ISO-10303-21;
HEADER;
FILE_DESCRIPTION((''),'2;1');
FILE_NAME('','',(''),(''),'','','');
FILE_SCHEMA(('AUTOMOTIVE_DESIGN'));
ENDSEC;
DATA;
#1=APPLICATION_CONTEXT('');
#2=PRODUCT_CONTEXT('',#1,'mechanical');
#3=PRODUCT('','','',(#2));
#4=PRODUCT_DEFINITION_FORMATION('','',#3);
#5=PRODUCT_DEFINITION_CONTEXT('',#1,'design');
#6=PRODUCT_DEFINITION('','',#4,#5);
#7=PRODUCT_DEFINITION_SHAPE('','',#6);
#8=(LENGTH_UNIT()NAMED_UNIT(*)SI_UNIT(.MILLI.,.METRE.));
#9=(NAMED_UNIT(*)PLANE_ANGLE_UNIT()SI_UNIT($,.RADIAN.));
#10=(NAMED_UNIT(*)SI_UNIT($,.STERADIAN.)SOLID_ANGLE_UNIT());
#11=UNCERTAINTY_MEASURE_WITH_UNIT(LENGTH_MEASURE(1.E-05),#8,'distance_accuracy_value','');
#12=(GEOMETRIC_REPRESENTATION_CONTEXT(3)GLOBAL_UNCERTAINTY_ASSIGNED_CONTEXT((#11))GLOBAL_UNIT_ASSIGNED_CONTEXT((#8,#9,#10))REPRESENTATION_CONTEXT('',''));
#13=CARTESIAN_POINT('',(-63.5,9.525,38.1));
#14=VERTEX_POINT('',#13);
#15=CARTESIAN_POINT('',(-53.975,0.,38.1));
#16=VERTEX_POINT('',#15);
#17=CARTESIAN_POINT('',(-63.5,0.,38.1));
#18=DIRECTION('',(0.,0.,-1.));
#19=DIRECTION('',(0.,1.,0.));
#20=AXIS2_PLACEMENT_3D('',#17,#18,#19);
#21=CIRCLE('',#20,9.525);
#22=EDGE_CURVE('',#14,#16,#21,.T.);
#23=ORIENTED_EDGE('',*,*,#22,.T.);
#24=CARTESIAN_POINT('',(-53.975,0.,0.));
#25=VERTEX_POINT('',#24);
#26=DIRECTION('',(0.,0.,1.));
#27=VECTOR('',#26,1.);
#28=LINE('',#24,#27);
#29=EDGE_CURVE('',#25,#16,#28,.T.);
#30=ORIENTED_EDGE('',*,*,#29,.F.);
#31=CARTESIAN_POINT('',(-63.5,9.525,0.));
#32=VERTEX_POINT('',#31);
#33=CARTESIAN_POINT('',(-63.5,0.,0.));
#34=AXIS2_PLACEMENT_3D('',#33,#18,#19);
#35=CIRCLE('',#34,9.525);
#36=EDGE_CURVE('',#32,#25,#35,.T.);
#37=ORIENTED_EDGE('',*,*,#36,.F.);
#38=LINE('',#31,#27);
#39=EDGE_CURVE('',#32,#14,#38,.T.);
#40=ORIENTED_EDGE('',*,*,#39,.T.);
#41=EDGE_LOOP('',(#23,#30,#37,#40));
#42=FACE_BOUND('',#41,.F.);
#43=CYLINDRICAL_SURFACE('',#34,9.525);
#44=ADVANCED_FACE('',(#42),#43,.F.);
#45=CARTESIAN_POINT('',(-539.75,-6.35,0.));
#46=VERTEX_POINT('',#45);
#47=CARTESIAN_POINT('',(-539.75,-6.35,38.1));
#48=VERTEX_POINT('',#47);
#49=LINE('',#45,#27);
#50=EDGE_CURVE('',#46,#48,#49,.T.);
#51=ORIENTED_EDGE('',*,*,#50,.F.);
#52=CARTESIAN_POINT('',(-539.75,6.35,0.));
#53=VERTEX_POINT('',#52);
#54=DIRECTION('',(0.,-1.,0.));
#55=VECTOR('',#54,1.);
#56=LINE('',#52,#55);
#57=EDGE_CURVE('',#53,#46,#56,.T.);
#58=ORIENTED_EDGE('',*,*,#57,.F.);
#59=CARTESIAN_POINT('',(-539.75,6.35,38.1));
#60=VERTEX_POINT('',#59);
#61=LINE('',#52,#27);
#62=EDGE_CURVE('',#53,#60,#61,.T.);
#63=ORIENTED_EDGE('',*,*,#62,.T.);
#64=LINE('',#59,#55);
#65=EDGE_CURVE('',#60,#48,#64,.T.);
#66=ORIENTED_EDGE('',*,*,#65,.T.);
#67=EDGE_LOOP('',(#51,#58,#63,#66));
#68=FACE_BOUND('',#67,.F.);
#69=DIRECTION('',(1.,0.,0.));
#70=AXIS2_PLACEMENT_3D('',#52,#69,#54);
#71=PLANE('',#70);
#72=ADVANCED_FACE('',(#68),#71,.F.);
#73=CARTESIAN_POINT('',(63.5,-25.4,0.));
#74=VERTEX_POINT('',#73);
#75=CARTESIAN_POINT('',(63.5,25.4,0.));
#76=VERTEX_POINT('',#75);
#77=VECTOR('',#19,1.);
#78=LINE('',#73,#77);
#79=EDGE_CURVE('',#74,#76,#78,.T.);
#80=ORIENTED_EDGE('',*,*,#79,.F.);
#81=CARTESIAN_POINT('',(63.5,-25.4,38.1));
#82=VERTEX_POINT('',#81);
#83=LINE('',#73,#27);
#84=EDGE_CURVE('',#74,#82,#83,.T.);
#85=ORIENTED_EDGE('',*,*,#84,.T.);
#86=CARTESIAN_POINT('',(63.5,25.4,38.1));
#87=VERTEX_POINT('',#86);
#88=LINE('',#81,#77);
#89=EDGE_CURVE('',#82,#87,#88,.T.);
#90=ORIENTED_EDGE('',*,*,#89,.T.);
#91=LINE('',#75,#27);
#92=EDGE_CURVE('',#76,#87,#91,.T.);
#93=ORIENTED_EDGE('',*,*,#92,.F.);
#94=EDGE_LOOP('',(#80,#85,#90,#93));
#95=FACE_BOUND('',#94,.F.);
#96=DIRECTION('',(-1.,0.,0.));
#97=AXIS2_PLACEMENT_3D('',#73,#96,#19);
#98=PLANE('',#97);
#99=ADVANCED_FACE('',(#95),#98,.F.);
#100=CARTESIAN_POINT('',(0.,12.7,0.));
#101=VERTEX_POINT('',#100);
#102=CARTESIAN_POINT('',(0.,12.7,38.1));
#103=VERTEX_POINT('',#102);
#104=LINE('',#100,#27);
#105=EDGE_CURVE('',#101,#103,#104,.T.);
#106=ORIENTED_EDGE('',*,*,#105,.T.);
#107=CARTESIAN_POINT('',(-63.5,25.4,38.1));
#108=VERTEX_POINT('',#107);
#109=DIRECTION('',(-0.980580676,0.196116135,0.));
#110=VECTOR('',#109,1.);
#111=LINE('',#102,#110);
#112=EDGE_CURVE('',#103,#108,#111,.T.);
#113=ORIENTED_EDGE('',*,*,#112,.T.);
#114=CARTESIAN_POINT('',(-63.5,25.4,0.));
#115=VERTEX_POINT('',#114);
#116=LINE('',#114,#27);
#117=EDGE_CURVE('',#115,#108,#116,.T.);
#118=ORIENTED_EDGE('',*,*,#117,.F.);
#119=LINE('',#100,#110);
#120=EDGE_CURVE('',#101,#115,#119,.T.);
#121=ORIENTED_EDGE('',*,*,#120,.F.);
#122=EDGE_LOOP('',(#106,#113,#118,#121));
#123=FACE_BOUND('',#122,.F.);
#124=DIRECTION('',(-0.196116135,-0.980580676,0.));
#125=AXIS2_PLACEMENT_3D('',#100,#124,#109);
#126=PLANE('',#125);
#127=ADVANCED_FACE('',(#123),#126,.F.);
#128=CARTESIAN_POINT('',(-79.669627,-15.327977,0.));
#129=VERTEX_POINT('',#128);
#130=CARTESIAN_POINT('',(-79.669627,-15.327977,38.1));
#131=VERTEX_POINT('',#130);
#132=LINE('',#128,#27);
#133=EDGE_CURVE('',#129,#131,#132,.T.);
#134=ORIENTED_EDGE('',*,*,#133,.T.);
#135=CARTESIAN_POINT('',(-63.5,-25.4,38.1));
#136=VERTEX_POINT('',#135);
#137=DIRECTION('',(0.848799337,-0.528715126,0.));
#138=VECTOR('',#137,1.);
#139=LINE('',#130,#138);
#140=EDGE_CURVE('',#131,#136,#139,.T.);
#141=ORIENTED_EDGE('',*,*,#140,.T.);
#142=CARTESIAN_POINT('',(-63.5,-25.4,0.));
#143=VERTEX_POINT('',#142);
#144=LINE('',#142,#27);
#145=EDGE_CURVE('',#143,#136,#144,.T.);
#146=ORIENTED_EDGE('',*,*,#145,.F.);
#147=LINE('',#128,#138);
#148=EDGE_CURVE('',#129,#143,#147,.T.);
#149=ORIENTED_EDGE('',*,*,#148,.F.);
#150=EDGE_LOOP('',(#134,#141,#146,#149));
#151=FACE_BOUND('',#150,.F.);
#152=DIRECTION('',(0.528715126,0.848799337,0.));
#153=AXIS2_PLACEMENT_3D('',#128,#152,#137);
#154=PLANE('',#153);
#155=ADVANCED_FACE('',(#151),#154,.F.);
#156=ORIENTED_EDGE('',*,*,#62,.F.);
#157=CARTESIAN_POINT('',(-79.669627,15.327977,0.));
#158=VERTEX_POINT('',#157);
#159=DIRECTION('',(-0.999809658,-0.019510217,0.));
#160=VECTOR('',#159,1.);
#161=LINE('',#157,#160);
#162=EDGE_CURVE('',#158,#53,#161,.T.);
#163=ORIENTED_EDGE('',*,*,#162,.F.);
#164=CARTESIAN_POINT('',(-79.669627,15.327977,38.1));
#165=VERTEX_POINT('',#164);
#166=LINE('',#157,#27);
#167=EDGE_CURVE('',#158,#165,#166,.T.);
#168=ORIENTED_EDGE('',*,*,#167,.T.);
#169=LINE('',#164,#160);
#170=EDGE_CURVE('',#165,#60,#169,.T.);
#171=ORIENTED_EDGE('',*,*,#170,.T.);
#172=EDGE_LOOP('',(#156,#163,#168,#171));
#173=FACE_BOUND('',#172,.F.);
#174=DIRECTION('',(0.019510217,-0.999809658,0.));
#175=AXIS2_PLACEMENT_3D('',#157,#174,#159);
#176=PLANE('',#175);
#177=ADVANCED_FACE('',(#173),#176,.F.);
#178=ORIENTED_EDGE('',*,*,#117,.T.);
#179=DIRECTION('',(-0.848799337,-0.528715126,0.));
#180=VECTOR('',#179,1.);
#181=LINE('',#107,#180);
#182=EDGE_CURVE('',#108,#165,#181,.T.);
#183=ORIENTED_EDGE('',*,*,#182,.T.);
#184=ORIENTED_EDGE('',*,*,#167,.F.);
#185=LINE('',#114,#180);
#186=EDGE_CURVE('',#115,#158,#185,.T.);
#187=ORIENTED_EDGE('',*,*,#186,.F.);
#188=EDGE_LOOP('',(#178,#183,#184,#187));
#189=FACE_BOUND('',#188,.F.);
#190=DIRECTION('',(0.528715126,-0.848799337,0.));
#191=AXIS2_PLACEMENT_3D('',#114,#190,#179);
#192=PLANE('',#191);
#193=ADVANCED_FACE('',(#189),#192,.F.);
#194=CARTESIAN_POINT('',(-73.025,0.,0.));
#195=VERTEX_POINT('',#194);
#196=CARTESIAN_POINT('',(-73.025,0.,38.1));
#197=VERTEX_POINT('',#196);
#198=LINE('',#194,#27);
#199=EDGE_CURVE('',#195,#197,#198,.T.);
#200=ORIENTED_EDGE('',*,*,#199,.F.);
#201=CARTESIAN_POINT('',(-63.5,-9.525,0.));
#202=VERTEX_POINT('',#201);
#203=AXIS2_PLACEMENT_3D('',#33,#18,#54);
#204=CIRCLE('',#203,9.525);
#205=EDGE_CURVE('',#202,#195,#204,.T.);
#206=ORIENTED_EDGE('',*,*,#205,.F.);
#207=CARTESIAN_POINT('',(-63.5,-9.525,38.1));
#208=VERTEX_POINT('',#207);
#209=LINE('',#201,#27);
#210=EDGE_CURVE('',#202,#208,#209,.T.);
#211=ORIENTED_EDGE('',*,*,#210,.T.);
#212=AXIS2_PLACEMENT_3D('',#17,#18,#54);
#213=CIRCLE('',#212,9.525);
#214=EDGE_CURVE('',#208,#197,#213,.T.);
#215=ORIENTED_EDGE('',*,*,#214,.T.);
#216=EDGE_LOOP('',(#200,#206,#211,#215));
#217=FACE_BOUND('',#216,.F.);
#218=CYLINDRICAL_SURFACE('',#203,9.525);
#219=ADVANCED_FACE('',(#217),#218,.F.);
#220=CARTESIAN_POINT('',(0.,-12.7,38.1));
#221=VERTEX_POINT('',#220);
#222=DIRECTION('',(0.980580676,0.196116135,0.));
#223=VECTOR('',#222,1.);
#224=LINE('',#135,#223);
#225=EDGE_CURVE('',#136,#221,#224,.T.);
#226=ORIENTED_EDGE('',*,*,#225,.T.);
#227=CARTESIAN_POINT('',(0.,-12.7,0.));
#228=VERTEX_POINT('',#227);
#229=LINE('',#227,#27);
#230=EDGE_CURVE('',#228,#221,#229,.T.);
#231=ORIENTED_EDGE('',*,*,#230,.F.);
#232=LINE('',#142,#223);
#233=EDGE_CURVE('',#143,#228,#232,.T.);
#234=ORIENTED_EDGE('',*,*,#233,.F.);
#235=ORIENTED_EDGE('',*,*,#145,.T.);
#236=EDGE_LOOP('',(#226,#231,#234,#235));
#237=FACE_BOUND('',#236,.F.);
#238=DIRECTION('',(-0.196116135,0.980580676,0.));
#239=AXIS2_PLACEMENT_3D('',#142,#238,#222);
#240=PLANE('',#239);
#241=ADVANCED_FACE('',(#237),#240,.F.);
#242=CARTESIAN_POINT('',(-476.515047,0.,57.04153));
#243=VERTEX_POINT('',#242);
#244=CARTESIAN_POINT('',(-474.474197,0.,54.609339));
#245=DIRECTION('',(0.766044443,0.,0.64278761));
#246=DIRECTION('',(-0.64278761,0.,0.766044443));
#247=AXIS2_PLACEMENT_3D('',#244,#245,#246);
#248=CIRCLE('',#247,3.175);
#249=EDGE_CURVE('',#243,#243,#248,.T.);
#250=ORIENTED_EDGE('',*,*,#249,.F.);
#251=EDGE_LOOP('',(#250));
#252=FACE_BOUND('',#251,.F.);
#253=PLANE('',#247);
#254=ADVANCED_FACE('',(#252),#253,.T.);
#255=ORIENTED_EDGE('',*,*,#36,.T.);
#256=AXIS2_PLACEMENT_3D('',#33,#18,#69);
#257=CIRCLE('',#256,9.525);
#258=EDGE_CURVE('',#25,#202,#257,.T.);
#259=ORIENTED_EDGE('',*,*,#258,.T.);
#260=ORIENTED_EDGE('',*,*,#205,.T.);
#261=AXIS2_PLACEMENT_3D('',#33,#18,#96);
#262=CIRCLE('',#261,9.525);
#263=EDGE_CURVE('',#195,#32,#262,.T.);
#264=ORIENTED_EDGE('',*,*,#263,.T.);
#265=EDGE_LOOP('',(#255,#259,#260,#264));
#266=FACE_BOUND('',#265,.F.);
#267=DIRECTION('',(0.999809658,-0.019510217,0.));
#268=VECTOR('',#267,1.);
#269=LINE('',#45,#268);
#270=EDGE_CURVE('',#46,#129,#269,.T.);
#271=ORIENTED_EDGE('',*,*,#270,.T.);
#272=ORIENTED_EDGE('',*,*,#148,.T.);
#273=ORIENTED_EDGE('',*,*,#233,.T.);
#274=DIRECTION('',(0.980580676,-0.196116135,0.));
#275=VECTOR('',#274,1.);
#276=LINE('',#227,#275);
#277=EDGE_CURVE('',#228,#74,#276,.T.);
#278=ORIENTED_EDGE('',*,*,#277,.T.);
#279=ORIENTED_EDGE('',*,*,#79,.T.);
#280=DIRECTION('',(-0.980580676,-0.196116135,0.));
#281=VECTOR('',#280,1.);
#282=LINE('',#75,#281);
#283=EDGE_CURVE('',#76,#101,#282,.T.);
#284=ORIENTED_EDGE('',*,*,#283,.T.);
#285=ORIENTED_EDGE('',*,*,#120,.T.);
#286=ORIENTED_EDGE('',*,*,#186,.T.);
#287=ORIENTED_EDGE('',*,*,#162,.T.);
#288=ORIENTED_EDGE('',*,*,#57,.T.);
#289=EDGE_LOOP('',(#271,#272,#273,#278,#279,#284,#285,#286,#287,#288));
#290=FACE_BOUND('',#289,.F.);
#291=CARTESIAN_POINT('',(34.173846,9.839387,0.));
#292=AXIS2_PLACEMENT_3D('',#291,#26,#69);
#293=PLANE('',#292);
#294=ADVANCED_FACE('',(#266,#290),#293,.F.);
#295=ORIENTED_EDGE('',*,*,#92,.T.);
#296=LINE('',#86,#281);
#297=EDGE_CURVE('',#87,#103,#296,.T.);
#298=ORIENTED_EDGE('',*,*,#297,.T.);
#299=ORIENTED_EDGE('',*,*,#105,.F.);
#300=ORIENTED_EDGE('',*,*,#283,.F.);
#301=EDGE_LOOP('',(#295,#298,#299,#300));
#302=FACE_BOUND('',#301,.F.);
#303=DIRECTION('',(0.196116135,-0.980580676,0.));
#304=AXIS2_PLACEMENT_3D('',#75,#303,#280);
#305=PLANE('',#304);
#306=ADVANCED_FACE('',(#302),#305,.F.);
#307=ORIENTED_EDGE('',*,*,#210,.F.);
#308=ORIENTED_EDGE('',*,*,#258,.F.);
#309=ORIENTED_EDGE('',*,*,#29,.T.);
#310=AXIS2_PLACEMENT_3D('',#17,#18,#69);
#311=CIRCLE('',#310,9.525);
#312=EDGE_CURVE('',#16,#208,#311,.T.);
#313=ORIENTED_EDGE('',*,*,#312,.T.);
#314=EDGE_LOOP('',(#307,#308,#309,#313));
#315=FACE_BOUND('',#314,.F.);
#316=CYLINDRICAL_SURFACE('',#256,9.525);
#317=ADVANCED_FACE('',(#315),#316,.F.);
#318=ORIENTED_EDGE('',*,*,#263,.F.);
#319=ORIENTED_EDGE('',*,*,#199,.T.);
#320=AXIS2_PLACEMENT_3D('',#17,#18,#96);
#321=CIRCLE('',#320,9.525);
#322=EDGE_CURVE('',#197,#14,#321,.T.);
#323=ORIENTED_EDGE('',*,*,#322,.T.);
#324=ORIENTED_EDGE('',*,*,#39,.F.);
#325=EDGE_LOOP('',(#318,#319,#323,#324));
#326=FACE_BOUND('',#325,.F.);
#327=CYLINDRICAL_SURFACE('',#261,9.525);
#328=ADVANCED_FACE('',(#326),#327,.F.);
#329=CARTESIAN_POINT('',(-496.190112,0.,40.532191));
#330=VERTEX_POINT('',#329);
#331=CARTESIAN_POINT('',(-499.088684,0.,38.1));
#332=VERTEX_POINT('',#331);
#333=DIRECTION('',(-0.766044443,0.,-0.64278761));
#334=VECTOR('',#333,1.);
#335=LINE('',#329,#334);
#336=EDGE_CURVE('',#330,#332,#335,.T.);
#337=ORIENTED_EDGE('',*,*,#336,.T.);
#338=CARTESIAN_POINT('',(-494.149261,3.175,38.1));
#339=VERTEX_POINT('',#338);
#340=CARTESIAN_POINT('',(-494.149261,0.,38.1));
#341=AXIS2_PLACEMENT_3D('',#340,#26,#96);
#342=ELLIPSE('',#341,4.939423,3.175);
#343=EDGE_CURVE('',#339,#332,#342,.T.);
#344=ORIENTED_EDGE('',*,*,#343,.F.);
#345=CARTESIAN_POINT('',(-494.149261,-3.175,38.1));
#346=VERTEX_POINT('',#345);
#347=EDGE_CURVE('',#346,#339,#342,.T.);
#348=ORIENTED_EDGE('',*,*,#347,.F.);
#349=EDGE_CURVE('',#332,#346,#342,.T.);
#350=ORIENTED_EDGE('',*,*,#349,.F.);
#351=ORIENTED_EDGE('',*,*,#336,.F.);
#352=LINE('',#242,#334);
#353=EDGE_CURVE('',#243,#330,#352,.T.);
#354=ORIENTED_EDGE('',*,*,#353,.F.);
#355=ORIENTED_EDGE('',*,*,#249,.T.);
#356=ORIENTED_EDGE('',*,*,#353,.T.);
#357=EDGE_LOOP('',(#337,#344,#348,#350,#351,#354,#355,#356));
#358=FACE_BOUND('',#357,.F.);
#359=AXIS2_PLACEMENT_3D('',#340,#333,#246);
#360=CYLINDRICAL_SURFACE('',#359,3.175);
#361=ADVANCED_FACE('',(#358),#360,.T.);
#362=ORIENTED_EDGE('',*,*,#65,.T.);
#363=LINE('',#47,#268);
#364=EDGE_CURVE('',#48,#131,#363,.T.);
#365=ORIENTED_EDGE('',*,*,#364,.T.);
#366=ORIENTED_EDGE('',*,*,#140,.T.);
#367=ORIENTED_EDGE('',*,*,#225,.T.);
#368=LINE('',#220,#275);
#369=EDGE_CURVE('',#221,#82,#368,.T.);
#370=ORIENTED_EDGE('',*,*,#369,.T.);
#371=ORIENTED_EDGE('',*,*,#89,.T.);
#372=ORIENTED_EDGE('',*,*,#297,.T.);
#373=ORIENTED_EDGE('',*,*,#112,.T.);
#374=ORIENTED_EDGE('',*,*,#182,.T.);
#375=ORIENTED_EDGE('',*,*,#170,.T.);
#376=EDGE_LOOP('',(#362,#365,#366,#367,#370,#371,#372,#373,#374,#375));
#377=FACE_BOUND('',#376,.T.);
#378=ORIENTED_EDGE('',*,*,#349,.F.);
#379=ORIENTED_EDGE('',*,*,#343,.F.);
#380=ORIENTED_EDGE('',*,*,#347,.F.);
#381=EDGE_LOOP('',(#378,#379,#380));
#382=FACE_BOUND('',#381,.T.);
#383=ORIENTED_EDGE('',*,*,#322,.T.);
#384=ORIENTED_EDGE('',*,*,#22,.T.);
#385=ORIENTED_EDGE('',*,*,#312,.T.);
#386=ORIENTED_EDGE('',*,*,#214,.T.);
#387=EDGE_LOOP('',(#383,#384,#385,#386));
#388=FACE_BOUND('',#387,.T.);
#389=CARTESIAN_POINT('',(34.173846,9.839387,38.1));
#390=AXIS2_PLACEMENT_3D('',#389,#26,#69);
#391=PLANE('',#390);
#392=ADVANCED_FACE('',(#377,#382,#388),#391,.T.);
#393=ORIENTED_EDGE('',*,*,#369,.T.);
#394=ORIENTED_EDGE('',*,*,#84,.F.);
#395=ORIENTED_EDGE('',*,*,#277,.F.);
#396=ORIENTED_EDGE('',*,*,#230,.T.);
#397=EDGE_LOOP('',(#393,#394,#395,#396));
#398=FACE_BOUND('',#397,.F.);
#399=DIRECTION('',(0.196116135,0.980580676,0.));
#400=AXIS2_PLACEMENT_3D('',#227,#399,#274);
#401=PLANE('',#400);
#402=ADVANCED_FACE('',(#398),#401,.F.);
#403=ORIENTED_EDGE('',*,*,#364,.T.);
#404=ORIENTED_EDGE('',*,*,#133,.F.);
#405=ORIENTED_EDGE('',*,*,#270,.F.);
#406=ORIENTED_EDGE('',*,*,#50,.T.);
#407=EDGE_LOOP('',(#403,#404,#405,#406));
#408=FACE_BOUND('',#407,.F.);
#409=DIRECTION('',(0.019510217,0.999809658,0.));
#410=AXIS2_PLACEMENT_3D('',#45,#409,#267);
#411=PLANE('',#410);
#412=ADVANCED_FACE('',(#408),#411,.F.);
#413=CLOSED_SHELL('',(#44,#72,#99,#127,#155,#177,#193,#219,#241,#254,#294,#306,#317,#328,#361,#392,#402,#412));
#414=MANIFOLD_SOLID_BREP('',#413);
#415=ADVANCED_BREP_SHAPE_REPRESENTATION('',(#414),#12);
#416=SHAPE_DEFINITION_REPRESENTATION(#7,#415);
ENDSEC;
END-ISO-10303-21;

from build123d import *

# Parameters (mm, degrees)
F1_DEPTH = 38.1


with BuildPart() as f1:
    # F0 (on Top) → F1 (new body)
    with BuildSketch(Plane.XY):
        Polygon((0, 12.7), (0, 0), (63.5, 0), (63.5, 25.4), align=None)
        with BuildLine():
            Line((0, -12.7), (0, 0))
            Line((0, 0), (-53.975, 0))
            ThreePointArc((-53.975, 0), (-56.7648079092, -6.7351920908), (-63.5, -9.525))
            Line((-63.5, -9.525), (-63.5, -25.4))
            Line((-63.5, -25.4), (0, -12.7))
        make_face()
        with BuildLine():
            Line((-53.975, 0), (0, 0))
            Line((0, 0), (0, 12.7))
            Line((0, 12.7), (-63.5, 25.4))
            Line((-63.5, 25.4), (-63.5, 15.3279768429))
            Line((-63.5, 15.3279768429), (-63.5, 9.525))
            ThreePointArc((-63.5, 9.525), (-56.7648079092, 6.7351920908), (-53.975, 0))
        make_face()
        Polygon((63.5, 0), (0, 0), (0, -12.7), (63.5, -25.4), align=None)
        with BuildLine():
            ThreePointArc((-73.025, 0), (-70.2351920908, 6.7351920908), (-63.5, 9.525))
            Line((-63.5, 9.525), (-63.5, 15.3279768429))
            Line((-63.5, 15.3279768429), (-79.6696273774, 15.3279768429))
            Line((-79.6696273774, 15.3279768429), (-79.6696273774, 0))
            Line((-79.6696273774, 0), (-73.025, 0))
        make_face()
        with BuildLine():
            Line((-63.5, -25.4), (-63.5, -9.525))
            ThreePointArc((-63.5, -9.525), (-70.2351920908, -6.7351920908), (-73.025, 0))
            Line((-73.025, 0), (-79.6696273774, 0))
            Line((-79.6696273774, 0), (-79.6696273774, -15.3279768429))
            Line((-79.6696273774, -15.3279768429), (-63.5, -25.4))
        make_face()
        Polygon((-63.5, 15.3279768429), (-63.5, 25.4), (-79.6696273774, 15.3279768429), align=None)
        Polygon((-79.6696273774, 0), (-79.6696273774, 15.3279768429), (-539.75, 6.35), (-539.75, 0), align=None)
        Polygon((-539.75, -6.35), (-79.6696273774, -15.3279768429), (-79.6696273774, 0), (-539.75, 0), align=None)
    extrude(amount=F1_DEPTH)

    # F2 (on Front) → F3 (revolve)
    with BuildSketch(Plane.XZ):
        Polygon((-499.0886840569, 38.1), (-494.1492609066, 38.1), (-496.1901115673, 40.5321911069), align=None)
        Polygon((-494.1492609066, 38.1), (-474.4741966728, 54.6093391419), (-476.5150473336, 57.0415302488), (-496.1901115673, 40.5321911069), align=None)
    revolve(axis=Axis((-507.0146347286, 0, 27.304669571), (0.7660444431, 0, 0.6427876097)))


solid = f1.part
